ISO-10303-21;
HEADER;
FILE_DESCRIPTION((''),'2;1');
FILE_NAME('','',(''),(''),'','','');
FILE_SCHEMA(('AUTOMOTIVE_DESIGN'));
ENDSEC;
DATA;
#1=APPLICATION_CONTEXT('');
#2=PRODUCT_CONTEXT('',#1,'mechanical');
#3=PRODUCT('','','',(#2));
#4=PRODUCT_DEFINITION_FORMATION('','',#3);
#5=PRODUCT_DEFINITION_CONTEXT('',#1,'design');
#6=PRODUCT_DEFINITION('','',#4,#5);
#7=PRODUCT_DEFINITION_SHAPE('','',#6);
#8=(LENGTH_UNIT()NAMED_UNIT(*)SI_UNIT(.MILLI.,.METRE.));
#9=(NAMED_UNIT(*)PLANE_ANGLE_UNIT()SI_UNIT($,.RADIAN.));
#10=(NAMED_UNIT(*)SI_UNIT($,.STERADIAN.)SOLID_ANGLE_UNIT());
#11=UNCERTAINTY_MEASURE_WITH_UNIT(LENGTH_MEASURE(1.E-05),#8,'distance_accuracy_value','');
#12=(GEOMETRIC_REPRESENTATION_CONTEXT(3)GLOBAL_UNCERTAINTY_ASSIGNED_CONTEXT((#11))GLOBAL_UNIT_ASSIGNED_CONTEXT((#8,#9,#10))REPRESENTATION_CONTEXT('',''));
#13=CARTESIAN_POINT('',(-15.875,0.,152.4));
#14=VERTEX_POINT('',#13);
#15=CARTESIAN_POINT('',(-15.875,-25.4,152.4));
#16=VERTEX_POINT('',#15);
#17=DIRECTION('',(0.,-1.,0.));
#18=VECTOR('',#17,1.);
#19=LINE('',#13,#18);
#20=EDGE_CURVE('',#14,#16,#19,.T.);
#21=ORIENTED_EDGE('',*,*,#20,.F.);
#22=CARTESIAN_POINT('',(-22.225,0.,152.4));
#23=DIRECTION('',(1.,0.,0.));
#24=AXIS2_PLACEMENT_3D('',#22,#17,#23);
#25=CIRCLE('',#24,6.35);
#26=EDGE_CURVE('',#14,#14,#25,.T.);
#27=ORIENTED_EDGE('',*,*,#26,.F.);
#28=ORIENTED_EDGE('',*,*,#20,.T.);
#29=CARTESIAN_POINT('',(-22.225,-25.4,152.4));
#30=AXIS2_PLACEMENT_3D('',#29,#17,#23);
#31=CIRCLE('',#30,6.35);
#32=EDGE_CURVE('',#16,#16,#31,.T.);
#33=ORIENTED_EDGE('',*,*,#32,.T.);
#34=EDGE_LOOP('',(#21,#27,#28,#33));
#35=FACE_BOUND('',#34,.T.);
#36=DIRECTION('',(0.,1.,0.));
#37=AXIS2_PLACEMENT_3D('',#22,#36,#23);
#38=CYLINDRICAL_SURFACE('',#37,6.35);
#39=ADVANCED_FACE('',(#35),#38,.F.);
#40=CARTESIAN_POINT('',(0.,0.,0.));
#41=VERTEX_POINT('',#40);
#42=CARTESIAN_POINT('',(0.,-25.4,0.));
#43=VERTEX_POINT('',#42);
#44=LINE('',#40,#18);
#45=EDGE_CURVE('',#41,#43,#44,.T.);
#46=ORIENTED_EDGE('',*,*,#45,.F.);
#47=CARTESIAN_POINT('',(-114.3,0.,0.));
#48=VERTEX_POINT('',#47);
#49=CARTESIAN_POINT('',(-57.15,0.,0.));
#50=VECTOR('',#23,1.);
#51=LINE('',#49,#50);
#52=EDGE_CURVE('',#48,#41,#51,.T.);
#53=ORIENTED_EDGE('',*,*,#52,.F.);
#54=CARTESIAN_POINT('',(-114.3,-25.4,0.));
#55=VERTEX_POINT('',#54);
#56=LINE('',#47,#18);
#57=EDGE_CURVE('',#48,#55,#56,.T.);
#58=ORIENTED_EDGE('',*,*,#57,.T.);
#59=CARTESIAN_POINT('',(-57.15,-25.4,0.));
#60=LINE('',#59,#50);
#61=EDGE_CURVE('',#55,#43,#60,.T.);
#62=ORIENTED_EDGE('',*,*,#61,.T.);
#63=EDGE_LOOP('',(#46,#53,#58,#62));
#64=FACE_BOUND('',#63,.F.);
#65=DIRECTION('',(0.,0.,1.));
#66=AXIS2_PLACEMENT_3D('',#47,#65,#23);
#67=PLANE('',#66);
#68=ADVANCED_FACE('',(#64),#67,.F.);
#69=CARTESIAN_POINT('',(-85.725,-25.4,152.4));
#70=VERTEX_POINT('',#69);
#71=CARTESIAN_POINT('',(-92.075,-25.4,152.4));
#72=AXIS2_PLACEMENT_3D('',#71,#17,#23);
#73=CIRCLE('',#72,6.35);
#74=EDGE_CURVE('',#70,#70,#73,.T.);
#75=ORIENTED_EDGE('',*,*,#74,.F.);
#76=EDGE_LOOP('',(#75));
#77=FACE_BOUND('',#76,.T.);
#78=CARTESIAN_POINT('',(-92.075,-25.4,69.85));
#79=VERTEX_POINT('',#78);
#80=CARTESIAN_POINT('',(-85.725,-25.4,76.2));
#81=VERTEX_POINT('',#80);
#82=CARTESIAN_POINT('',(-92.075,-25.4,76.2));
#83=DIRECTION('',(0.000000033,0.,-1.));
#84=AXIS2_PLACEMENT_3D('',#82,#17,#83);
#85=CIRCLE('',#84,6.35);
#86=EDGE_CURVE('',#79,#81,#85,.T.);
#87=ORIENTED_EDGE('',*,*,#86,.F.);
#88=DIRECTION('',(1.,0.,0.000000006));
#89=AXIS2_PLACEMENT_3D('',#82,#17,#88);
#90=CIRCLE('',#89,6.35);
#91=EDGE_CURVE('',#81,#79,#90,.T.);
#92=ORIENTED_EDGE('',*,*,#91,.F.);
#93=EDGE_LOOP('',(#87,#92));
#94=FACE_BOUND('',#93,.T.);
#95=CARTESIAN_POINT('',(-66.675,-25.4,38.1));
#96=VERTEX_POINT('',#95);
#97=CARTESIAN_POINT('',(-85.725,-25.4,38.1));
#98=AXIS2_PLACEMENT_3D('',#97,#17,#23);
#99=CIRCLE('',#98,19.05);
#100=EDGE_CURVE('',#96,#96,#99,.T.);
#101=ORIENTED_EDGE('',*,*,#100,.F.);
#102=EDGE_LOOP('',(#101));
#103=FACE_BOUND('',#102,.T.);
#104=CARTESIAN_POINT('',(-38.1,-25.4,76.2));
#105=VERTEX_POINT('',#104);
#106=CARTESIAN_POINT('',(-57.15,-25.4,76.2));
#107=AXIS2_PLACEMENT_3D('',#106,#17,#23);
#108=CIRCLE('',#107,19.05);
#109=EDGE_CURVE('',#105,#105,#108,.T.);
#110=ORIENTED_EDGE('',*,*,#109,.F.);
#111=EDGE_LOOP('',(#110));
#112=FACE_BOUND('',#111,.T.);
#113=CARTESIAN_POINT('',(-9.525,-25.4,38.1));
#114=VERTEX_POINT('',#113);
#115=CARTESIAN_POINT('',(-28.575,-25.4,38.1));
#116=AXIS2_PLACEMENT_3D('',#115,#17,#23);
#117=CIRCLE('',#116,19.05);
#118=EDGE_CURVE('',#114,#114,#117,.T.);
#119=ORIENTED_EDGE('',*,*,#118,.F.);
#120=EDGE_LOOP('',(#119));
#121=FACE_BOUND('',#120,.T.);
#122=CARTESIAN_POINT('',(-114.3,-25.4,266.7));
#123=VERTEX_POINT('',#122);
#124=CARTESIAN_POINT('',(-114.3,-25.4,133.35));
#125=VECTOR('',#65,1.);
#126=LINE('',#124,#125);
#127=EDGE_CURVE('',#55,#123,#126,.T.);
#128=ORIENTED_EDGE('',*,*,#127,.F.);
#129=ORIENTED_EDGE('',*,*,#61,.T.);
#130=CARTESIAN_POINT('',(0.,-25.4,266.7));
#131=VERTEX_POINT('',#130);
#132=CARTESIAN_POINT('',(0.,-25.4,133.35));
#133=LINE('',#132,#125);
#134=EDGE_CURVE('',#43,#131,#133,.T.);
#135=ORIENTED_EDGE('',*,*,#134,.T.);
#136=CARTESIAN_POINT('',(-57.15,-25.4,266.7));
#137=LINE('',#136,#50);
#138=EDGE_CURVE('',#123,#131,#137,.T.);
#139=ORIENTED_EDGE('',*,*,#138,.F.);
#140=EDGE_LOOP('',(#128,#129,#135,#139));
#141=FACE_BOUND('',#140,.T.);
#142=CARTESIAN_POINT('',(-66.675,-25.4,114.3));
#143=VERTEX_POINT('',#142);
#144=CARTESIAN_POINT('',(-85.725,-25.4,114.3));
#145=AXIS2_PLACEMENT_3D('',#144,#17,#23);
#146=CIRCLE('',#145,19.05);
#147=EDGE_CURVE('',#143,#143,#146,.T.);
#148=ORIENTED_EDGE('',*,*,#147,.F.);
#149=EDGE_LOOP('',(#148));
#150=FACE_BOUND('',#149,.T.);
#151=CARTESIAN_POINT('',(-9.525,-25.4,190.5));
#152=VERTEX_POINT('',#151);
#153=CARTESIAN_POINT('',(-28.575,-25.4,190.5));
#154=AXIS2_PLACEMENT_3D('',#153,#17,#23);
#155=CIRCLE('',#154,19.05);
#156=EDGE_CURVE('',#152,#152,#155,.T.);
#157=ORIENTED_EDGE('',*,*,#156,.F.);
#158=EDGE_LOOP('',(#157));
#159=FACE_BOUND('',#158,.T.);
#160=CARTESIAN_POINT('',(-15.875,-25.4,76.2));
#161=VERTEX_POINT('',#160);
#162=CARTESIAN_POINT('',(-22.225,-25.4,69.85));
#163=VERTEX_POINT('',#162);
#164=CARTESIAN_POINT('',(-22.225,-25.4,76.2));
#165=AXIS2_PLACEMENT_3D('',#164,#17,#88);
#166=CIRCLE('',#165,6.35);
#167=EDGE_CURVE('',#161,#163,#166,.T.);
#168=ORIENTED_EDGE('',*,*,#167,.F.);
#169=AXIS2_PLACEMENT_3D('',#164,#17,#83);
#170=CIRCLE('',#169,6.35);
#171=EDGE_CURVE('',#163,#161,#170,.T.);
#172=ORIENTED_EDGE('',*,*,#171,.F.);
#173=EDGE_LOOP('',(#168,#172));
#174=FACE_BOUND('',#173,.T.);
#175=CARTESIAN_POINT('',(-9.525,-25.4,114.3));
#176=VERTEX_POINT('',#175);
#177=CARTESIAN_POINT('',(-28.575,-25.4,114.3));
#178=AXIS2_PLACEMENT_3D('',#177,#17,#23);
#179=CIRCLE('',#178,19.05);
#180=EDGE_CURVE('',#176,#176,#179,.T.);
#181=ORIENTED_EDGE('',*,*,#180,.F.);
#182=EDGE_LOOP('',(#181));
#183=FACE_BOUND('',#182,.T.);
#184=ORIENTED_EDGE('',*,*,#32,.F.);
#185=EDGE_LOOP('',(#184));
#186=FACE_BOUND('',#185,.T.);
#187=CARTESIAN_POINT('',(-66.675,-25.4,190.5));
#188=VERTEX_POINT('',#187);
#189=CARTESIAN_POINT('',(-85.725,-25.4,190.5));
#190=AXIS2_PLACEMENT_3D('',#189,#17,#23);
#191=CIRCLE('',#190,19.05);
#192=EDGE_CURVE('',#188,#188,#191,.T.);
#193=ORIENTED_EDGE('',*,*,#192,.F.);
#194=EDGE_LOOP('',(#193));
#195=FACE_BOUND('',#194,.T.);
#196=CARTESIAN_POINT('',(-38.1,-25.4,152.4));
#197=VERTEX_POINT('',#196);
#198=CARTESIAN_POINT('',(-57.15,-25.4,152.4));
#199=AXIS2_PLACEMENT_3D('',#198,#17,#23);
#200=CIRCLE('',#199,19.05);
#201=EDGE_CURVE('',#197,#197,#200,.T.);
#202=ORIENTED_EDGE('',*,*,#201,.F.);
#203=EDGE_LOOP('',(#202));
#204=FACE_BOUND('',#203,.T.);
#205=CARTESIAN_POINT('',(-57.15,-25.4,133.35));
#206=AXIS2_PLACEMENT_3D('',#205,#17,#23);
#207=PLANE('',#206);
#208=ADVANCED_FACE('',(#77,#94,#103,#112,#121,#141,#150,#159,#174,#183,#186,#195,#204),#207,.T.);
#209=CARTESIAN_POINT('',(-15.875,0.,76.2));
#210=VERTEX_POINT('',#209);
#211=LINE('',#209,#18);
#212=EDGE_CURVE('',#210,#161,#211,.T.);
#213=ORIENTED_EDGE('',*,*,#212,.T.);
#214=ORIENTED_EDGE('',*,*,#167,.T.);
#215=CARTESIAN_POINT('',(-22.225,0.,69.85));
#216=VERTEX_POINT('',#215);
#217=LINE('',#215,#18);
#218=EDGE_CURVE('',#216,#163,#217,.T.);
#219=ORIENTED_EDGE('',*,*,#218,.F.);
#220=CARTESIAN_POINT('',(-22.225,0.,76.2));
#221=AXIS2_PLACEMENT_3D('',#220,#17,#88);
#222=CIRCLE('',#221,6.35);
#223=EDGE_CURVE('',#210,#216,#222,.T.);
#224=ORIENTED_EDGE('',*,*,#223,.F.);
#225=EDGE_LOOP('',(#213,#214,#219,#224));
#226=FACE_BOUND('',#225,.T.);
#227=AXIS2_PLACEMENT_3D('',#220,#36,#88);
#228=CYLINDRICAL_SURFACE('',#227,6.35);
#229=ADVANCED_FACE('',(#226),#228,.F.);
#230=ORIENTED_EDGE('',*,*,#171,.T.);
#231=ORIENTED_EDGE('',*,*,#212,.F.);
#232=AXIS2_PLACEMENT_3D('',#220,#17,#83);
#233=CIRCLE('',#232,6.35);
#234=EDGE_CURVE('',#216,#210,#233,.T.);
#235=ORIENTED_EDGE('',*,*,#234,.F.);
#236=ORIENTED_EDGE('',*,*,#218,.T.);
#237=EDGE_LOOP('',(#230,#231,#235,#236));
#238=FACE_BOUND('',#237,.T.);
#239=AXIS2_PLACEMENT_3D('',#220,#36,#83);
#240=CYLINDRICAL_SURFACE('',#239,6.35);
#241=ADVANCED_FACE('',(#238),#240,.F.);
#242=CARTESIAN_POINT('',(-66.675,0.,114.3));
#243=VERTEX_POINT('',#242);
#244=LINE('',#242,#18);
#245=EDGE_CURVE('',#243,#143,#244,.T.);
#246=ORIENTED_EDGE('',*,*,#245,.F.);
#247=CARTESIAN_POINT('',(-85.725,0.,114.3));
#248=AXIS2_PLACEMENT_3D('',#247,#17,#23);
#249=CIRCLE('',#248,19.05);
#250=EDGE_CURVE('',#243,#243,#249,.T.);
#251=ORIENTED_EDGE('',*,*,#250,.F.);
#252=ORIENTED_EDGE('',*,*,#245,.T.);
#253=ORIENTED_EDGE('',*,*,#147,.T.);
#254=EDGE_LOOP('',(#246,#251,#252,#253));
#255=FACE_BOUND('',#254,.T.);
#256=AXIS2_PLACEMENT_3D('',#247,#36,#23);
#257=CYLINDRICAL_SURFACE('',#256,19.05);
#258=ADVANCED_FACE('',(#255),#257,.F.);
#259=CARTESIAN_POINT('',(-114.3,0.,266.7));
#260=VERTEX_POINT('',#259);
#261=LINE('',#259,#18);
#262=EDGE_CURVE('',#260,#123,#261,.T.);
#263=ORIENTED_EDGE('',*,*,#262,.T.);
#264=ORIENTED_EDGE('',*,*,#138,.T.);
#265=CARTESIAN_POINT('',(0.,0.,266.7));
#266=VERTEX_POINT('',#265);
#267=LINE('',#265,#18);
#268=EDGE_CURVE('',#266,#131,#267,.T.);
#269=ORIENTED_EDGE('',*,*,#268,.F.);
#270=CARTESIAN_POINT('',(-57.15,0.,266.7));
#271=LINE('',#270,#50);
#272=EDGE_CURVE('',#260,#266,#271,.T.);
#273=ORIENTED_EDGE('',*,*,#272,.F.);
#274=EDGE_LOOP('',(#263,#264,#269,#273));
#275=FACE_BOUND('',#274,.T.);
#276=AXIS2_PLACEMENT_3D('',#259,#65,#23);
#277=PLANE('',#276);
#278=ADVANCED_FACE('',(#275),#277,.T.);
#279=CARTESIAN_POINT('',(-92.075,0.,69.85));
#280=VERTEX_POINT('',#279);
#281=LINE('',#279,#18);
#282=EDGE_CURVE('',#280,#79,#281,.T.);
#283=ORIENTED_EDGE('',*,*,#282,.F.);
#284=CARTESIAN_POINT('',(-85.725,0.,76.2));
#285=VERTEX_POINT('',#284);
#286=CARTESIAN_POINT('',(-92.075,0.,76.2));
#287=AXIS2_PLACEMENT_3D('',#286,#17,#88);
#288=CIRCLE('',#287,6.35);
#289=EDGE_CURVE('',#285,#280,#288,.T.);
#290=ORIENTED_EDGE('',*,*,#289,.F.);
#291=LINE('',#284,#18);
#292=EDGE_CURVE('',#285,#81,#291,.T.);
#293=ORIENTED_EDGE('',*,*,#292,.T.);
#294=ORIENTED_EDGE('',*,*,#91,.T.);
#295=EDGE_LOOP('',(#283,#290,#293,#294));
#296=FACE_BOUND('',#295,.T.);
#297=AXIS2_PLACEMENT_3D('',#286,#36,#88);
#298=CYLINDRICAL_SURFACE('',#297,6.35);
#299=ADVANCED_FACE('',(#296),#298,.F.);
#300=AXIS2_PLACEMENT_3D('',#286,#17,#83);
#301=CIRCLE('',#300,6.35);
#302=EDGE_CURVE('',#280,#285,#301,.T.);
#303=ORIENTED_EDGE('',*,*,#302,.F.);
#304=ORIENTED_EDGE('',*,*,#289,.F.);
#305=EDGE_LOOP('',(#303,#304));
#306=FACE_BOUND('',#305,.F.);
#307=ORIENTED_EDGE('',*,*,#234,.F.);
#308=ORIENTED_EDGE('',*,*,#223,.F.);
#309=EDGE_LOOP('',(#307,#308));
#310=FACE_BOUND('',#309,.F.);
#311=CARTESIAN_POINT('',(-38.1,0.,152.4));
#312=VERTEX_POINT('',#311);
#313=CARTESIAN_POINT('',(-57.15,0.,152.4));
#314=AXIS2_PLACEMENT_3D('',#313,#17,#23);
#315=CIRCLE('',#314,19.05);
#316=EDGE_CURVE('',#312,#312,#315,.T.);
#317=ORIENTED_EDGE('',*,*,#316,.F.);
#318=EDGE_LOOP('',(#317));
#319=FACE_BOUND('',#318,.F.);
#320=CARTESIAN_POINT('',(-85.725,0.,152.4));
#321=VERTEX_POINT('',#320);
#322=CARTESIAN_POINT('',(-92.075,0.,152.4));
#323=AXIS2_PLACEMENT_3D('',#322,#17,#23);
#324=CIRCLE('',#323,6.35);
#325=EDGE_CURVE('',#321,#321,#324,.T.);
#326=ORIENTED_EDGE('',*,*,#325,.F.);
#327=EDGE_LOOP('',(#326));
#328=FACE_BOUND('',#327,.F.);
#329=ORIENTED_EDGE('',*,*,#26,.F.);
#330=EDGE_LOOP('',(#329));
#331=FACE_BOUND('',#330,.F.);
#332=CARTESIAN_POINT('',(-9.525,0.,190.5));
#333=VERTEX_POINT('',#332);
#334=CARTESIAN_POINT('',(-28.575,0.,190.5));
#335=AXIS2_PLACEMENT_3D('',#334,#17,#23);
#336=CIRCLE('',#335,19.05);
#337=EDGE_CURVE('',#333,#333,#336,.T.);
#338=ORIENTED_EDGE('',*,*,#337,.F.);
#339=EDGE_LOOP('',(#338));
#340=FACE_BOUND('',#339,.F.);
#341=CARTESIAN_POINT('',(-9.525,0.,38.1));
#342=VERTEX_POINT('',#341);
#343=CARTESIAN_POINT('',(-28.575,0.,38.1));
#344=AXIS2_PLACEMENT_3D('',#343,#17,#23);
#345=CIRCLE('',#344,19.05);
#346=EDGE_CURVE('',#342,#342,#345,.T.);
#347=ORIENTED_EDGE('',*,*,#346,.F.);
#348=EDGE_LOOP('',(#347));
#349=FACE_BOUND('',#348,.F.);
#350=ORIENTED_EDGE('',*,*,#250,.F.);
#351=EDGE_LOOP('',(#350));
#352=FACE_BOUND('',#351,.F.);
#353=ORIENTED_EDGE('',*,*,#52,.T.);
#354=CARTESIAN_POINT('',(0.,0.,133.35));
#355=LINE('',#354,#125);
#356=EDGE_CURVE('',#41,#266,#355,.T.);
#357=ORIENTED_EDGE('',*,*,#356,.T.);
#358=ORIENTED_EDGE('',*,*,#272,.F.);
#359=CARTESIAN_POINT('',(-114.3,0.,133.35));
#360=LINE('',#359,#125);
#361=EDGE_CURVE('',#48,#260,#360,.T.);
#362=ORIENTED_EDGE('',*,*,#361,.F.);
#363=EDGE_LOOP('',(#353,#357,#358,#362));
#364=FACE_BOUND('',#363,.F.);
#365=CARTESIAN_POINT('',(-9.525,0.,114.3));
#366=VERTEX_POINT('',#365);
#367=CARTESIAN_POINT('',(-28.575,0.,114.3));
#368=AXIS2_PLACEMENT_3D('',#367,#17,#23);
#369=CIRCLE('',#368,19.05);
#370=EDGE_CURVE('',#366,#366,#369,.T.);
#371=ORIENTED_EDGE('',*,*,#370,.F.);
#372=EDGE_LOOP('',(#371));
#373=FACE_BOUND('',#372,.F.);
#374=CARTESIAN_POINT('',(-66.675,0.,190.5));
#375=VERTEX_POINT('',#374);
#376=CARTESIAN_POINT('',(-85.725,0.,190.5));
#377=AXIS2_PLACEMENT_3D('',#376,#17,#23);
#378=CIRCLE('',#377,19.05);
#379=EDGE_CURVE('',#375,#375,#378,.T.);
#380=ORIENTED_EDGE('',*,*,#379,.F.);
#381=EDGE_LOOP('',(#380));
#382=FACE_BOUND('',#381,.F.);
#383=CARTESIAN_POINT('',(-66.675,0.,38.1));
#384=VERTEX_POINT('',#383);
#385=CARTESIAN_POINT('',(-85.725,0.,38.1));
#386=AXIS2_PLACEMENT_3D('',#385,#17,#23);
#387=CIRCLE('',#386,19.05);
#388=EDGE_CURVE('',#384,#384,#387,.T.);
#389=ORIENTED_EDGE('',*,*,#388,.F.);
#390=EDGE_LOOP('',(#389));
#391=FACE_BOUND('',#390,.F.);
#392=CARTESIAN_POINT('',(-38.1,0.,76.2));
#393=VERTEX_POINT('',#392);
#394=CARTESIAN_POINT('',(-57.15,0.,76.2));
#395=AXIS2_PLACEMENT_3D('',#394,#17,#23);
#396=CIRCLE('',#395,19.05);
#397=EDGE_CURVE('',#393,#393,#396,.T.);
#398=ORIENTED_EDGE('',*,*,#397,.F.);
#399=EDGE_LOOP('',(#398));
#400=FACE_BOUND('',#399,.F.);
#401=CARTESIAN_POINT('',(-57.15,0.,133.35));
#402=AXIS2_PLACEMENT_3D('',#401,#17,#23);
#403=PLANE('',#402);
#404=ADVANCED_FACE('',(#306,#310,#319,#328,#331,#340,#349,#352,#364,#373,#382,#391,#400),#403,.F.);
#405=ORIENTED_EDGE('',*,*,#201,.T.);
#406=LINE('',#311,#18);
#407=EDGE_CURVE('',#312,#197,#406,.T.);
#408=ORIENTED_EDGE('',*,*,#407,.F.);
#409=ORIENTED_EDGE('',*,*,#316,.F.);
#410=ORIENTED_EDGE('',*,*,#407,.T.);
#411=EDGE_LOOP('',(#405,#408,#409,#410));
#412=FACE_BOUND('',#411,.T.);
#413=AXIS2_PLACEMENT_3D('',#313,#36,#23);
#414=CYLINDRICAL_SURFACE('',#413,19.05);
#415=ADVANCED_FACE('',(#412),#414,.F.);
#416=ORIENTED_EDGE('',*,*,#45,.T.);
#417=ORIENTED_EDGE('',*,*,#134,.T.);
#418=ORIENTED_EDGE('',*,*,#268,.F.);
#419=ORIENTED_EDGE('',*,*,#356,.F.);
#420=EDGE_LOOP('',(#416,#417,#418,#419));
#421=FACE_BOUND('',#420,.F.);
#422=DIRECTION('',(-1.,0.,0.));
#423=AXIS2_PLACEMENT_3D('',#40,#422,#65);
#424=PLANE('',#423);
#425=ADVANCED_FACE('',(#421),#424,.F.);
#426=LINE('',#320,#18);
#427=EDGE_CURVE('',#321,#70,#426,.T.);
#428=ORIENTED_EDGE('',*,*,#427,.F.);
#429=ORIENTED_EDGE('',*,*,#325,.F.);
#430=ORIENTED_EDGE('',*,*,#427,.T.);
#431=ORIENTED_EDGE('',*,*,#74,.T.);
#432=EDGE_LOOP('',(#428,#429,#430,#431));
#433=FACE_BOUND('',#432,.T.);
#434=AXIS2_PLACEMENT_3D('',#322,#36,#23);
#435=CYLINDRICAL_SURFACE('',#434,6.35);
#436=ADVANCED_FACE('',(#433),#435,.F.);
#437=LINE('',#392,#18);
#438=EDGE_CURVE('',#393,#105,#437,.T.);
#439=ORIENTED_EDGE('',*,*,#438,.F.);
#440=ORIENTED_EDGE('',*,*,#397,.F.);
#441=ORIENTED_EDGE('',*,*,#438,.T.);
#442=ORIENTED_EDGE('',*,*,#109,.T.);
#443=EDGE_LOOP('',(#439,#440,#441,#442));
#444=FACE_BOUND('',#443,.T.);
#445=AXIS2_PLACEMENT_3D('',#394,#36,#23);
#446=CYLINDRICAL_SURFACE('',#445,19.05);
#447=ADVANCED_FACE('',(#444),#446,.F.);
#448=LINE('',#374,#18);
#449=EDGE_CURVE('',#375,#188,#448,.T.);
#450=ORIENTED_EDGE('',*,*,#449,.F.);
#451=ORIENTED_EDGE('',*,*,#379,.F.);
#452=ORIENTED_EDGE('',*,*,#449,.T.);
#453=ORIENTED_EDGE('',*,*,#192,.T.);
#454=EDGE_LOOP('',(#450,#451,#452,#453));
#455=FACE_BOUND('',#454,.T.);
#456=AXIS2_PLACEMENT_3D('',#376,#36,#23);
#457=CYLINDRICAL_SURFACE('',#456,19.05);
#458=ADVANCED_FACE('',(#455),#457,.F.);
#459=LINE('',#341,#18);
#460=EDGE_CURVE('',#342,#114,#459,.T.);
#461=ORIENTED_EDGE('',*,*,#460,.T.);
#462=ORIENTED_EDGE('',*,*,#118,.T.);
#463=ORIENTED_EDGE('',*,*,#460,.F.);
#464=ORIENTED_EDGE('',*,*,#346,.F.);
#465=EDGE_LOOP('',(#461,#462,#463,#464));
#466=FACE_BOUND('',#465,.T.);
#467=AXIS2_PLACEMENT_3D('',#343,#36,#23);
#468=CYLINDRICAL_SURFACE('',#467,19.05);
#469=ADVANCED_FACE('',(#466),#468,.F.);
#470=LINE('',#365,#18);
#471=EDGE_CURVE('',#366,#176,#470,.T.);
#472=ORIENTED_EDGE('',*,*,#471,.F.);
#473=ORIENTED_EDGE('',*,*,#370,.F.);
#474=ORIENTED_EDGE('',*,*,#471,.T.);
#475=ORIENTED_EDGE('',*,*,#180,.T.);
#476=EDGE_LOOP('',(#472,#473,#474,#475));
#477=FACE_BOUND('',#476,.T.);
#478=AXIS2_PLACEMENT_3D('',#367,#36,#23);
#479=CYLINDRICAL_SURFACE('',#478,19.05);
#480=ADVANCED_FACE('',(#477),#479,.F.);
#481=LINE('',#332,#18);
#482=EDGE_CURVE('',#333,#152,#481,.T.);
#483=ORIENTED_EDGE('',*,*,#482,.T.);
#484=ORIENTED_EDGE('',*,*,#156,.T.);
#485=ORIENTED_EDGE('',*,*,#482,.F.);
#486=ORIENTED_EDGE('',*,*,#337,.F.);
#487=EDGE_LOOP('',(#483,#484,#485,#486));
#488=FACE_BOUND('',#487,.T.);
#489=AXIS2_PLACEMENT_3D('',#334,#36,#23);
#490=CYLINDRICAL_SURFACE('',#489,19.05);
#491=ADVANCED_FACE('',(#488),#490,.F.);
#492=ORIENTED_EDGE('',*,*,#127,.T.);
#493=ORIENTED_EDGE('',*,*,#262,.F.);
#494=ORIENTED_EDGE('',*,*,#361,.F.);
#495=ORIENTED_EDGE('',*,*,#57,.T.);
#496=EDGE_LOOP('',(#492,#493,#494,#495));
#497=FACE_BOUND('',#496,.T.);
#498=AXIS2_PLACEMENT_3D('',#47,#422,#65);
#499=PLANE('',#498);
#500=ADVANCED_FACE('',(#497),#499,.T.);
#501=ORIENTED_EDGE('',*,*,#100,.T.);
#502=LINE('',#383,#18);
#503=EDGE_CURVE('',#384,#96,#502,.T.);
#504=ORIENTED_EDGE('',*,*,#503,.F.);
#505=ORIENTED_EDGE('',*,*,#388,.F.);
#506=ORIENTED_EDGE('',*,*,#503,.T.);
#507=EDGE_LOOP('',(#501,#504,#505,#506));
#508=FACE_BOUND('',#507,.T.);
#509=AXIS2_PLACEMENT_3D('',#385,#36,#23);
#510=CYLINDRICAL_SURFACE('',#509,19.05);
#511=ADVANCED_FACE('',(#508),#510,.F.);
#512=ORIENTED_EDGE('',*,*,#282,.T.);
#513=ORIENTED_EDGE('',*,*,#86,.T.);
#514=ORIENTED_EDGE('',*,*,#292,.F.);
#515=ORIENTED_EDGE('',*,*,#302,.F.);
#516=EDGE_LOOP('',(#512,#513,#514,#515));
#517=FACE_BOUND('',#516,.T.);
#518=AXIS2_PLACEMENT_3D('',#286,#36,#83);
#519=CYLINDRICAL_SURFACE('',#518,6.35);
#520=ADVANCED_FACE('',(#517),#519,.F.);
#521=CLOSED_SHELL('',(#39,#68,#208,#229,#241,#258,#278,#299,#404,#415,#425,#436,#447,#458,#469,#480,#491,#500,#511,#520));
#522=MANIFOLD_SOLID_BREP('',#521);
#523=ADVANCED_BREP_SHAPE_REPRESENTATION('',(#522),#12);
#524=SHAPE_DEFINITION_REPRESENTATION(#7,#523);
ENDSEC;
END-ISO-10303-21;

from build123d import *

# Parameters (mm, degrees)
F0_W     = 114.3
F0_H     = 266.7
F3_DEPTH = 25.4
F1_R     = 19.05
F4_DEPTH = 25.4
F2_R     = 6.35
F5_DEPTH = 25.4


with BuildPart() as f3:
    # F0 (on Front) → F3 (new body)
    with BuildSketch(Plane.XZ):
        with Locations((-57.15, 133.35)):
            Rectangle(F0_W, F0_H)
    extrude(amount=F3_DEPTH)

    # F1 (on face) → F4 (cut)
    with BuildSketch(Plane.XZ):
        with Locations((-85.725, 38.1)):
            Circle(F1_R)
        with Locations((-28.575, 38.1)):
            Circle(F1_R)
        with Locations((-57.15, 76.2)):
            Circle(F1_R)
        with Locations((-57.15, 152.4)):
            Circle(F1_R)
        with Locations((-28.575, 114.3)):
            Circle(F1_R)
        with Locations((-85.725, 114.3)):
            Circle(F1_R)
        with Locations((-28.575, 190.5)):
            Circle(F1_R)
        with Locations((-85.725, 190.5)):
            Circle(F1_R)
    extrude(amount=F4_DEPTH, mode=Mode.SUBTRACT)

    # F2 (on face) → F5 (cut)
    with BuildSketch(Plane.XZ):
        with BuildLine():
            ThreePointArc((-85.725, 76.2), (-96.565128, 80.690128), (-92.075, 69.85))
            ThreePointArc((-92.075, 69.85), (-87.584872, 71.709872), (-85.725, 76.2))
        make_face()
        with BuildLine():
            ThreePointArc((-15.875, 76.2), (-26.715128, 80.690128), (-22.225, 69.85))
            ThreePointArc((-22.225, 69.85), (-17.734872, 71.709872), (-15.875, 76.2))
        make_face()
        with Locations((-92.075, 152.4)):
            Circle(F2_R)
        with Locations((-22.225, 152.4)):
            Circle(F2_R)
    extrude(amount=F5_DEPTH, mode=Mode.SUBTRACT)


solid = f3.part
